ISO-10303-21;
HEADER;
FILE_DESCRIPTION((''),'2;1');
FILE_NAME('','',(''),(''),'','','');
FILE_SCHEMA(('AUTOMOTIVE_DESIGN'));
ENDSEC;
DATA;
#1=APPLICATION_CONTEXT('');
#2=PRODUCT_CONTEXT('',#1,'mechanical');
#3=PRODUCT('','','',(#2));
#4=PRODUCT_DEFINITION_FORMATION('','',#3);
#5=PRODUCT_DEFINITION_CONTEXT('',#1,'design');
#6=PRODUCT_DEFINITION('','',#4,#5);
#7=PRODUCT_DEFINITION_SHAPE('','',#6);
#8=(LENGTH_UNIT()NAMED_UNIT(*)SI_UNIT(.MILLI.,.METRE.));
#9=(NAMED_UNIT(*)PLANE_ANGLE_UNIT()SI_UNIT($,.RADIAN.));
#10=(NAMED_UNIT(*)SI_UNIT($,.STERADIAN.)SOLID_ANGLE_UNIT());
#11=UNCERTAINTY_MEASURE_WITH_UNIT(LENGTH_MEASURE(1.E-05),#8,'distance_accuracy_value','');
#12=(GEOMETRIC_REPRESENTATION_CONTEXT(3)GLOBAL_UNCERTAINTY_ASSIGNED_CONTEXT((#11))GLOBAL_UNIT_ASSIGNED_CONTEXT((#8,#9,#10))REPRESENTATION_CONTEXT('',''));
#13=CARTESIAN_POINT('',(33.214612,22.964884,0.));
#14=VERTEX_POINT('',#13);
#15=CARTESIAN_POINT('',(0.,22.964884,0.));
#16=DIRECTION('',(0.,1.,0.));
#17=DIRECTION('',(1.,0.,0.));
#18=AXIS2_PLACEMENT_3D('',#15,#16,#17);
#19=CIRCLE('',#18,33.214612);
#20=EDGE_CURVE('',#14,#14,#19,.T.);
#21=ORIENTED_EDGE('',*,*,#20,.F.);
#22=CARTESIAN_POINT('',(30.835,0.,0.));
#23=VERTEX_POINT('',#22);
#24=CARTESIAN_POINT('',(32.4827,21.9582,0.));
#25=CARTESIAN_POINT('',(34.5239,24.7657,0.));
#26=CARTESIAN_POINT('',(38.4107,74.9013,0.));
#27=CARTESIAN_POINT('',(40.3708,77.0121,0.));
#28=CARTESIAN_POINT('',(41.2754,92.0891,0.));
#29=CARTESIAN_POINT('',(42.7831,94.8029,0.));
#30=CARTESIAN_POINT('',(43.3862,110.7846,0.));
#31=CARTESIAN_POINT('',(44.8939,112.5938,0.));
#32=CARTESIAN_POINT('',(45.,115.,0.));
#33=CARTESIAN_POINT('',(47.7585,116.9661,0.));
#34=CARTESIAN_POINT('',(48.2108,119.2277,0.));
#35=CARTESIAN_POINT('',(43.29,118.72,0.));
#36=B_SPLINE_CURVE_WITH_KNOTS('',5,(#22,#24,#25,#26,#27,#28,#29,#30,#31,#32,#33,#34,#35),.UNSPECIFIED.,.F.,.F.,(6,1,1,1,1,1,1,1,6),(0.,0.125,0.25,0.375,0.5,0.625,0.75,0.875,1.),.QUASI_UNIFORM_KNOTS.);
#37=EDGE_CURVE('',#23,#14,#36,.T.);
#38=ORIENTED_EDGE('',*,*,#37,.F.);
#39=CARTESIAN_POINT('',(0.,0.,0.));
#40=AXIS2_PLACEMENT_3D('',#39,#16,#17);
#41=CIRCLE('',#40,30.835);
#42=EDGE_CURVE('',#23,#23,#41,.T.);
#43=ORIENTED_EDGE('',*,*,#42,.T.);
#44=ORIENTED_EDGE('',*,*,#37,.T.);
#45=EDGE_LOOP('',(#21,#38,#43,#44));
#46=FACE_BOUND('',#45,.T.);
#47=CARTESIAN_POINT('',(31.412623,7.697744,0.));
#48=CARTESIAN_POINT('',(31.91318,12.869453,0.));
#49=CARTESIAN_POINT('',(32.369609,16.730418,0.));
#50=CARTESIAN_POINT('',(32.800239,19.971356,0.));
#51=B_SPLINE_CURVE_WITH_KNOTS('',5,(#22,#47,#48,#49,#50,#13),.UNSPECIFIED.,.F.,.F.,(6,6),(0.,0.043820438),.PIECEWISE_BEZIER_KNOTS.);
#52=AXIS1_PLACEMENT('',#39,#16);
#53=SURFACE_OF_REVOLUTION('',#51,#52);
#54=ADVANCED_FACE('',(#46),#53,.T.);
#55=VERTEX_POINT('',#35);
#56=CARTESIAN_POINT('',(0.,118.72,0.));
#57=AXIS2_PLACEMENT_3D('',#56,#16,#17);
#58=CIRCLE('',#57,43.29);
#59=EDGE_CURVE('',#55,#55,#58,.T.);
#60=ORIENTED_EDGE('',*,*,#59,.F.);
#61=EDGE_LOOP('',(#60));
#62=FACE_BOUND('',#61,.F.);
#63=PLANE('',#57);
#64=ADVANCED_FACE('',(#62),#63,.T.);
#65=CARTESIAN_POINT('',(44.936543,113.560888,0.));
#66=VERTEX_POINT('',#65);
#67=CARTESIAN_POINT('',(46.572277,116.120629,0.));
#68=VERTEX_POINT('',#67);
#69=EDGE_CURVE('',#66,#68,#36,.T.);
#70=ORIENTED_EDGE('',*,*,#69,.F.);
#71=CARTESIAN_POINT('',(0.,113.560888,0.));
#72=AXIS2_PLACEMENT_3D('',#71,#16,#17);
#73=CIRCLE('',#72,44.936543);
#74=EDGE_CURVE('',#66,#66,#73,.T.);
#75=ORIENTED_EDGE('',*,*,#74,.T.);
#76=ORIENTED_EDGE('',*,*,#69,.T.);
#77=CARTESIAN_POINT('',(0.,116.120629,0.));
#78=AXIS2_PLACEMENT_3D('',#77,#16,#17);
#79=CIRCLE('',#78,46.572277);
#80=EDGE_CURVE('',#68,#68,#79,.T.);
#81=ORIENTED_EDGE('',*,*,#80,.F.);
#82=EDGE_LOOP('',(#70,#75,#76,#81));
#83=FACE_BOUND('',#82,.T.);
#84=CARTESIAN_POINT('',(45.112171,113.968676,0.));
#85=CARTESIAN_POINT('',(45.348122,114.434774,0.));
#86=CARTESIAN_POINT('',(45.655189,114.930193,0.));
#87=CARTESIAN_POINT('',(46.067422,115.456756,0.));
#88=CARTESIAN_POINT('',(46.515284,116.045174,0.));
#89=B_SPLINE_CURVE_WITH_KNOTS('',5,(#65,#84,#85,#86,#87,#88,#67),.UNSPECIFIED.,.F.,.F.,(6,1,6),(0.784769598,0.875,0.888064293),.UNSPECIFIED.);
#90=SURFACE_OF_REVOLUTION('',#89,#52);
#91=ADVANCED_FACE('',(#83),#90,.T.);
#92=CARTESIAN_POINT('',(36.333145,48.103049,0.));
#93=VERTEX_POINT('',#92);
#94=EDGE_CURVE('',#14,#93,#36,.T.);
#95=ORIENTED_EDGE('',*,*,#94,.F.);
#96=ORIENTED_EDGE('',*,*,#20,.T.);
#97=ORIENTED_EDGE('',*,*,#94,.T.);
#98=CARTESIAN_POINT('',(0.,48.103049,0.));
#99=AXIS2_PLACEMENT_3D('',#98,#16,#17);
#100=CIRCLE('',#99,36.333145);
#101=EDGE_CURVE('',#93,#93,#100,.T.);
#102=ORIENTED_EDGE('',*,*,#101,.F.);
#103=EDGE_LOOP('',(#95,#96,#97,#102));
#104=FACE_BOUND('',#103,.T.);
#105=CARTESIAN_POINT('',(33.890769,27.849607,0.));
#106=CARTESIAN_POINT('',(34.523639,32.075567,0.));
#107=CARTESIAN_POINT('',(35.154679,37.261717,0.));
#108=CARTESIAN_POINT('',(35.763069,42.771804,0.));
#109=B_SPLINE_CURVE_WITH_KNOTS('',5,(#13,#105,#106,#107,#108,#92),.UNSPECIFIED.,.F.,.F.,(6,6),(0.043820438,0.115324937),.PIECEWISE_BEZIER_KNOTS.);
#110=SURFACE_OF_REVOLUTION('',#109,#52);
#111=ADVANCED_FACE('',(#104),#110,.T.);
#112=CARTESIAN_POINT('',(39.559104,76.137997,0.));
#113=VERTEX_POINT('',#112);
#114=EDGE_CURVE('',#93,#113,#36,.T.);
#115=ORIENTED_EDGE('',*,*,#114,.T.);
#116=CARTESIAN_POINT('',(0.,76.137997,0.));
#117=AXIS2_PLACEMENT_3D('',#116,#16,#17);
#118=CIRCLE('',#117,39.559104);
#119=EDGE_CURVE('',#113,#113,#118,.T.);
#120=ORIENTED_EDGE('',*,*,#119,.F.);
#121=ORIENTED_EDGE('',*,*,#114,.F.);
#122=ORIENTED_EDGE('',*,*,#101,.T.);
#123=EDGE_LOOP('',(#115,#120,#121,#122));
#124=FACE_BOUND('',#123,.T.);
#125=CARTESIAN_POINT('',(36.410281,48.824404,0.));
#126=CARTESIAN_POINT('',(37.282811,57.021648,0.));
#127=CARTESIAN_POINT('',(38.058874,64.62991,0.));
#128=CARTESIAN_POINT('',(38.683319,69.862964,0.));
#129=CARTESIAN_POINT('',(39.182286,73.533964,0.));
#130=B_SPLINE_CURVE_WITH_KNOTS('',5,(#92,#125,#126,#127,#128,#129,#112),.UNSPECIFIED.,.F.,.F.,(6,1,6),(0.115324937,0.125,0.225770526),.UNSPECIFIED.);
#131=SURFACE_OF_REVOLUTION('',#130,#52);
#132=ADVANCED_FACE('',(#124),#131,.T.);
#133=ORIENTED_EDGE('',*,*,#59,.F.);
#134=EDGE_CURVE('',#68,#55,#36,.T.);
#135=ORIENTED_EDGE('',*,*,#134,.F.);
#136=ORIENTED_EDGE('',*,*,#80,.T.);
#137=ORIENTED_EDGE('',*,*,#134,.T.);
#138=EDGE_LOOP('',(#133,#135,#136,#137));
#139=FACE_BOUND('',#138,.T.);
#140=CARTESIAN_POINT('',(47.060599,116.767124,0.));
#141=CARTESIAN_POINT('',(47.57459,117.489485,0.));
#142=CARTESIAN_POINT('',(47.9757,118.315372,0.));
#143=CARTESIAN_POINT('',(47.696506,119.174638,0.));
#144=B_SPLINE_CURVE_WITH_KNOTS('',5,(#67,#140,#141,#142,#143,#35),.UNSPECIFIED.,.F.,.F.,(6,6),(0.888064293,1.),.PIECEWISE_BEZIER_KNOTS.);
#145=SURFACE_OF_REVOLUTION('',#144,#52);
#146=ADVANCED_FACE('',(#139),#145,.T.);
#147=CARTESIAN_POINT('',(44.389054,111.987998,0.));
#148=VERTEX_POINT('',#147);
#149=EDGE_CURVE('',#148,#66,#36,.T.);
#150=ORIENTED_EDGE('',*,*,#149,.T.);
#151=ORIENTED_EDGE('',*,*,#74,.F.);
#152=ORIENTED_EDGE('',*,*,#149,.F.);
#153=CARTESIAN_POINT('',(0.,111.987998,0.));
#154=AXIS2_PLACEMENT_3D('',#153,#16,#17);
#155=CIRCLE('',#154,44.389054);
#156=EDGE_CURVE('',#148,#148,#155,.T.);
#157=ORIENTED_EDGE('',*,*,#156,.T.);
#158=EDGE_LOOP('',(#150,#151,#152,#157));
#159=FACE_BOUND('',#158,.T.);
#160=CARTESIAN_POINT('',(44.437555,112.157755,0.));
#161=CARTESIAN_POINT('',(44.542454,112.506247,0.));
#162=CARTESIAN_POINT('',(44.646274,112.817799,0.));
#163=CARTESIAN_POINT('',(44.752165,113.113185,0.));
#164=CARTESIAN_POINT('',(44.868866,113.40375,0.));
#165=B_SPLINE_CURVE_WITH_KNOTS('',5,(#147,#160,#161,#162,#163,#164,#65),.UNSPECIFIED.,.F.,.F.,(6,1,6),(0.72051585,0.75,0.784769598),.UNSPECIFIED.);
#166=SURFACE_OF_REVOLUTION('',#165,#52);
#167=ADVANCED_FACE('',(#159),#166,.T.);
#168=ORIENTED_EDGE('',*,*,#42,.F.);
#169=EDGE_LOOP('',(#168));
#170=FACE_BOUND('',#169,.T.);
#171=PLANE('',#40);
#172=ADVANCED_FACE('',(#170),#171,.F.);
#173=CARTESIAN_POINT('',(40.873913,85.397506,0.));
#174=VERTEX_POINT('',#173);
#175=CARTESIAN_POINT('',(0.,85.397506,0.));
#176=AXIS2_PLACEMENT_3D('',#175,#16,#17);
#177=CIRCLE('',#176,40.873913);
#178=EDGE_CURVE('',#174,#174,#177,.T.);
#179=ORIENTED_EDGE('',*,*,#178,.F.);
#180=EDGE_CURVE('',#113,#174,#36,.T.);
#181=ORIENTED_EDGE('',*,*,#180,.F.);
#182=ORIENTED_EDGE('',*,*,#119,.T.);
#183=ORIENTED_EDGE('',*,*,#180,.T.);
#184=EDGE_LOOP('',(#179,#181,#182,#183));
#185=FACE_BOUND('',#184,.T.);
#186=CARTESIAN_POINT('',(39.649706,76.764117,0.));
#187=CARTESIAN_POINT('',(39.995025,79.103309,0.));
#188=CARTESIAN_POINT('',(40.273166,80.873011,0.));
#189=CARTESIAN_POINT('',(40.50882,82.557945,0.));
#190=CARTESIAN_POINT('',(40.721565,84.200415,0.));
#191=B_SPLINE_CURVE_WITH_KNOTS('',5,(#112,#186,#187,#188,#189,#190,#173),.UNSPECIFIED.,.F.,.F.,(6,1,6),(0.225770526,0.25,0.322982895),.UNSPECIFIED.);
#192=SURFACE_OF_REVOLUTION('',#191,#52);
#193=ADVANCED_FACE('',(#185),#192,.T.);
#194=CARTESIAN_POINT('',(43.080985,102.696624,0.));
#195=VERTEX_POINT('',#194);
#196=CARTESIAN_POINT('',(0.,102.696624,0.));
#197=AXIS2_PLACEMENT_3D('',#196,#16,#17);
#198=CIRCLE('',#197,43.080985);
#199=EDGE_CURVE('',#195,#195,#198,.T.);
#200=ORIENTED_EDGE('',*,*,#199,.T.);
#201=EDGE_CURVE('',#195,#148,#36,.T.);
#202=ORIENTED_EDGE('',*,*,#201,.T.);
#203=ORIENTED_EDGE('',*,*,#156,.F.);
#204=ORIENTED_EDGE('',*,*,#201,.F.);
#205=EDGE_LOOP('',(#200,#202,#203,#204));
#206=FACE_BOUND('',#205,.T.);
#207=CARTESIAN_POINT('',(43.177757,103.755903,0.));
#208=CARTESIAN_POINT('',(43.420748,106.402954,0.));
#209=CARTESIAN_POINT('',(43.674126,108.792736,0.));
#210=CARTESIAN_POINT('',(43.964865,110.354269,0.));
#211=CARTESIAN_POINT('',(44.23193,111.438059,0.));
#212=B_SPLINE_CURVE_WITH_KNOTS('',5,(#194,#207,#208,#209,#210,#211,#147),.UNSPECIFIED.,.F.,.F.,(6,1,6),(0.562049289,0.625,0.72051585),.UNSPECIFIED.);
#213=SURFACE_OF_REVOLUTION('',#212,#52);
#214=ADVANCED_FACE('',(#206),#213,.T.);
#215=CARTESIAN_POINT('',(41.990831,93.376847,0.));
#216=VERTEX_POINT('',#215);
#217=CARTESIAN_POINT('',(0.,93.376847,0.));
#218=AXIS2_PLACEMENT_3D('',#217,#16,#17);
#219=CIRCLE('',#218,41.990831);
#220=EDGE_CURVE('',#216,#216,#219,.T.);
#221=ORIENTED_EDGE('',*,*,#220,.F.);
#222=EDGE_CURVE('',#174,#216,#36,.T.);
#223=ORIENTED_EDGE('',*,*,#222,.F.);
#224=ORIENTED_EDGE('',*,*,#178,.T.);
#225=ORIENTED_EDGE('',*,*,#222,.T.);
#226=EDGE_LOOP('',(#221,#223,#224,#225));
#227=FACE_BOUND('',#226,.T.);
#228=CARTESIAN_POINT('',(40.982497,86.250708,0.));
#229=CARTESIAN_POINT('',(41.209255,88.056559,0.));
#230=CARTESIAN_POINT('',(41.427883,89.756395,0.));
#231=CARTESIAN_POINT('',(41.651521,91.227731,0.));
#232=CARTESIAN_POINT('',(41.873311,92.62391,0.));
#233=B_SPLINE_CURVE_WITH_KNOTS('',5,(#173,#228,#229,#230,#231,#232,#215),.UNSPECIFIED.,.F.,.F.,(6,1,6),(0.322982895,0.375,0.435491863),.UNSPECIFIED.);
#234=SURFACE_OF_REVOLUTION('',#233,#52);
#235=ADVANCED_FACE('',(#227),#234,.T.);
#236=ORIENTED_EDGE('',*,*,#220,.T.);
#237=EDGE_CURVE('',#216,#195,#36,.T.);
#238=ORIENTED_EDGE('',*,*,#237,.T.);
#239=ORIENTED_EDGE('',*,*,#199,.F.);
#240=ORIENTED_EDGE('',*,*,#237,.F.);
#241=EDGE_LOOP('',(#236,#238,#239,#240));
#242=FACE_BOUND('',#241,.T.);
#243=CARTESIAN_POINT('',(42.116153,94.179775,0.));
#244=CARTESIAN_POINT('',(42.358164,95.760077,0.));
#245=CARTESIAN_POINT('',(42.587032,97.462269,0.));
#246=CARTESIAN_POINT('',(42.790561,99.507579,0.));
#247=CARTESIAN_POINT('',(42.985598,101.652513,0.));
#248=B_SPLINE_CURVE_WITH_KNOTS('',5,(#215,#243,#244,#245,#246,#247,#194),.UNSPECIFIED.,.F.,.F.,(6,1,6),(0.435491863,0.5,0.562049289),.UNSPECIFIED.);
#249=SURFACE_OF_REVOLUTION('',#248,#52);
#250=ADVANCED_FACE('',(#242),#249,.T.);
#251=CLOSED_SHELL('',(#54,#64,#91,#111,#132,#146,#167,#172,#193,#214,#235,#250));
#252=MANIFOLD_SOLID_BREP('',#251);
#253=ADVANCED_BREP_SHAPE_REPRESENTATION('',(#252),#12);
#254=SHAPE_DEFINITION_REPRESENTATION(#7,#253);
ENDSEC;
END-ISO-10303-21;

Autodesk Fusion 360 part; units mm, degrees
sketch "Sketch1" plane through (0, 0, 0) normal (0, 0, 1) x (1, 0, 0)
  line L0 (0, 0) -> (0, 118.72)
  line L1 (0, 118.72) -> (43.29, 118.72)
  line L2 (0, 0) -> (30.835, 0)
  line L3 (30.835, 0) -> (32.4827, 21.9582)
  line L4 (32.4827, 21.9582) -> (34.5239, 24.7657)
  line L5 (34.5239, 24.7657) -> (38.4107, 74.9013)
  line L6 (38.4107, 74.9013) -> (40.3708, 77.0121)
  line L7 (40.3708, 77.0121) -> (41.2754, 92.0891)
  line L8 (41.2754, 92.0891) -> (42.7831, 94.8029)
  line L9 (42.7831, 94.8029) -> (43.3862, 110.7846)
  line L10 (43.3862, 110.7846) -> (44.8939, 112.5938)
  line L11 (44.8939, 112.5938) -> (45, 115)
  line L12 (45, 115) -> (47.7585, 116.9661)
  line L13 (47.7585, 116.9661) -> (48.2108, 119.2277)
  line L14 (48.2108, 119.2277) -> (43.29, 118.72)
  spline S0 degree 5 poles (30.835, 0) (32.4827, 21.9582) (34.5239, 24.7657) (38.4107, 74.9013) (40.3708, 77.0121) (41.2754, 92.0891) (42.7831, 94.8029) (43.3862, 110.7846) (44.8939, 112.5938) (45, 115) (47.7585, 116.9661) (48.2108, 119.2277) (43.29, 118.72) knots 0 0 0 0 0 0 0.125 0.25 0.375 0.5 0.625 0.75 0.875 1 1 1 1 1 1
  dimension "d1" = 118.72
  dimension "d2" = 43.29
  dimension "d3" = 30.835
revolve "Revolve1" add sketch "Sketch1" angle 360 about axis through (0, 0, 0) along (0, 1, 0) contours L0 L1 L2 L3 L4 L5 L6 L7 L8 L9 L10 L11 L12 S0 | L3 L4 S0 | L11 L12 S0 | L5 L6 S0 | L9 L10 S0 | L7 L8 S0
shell "Shell1" thickness 2.3 removed faces 1 at (-9.4996, 118.72, -7.9471)
equation "d2 = ( 86.58 / 2 ) * 1 mm"
equation "d3 = ( 61.67 / 2 ) * 1 mm"
